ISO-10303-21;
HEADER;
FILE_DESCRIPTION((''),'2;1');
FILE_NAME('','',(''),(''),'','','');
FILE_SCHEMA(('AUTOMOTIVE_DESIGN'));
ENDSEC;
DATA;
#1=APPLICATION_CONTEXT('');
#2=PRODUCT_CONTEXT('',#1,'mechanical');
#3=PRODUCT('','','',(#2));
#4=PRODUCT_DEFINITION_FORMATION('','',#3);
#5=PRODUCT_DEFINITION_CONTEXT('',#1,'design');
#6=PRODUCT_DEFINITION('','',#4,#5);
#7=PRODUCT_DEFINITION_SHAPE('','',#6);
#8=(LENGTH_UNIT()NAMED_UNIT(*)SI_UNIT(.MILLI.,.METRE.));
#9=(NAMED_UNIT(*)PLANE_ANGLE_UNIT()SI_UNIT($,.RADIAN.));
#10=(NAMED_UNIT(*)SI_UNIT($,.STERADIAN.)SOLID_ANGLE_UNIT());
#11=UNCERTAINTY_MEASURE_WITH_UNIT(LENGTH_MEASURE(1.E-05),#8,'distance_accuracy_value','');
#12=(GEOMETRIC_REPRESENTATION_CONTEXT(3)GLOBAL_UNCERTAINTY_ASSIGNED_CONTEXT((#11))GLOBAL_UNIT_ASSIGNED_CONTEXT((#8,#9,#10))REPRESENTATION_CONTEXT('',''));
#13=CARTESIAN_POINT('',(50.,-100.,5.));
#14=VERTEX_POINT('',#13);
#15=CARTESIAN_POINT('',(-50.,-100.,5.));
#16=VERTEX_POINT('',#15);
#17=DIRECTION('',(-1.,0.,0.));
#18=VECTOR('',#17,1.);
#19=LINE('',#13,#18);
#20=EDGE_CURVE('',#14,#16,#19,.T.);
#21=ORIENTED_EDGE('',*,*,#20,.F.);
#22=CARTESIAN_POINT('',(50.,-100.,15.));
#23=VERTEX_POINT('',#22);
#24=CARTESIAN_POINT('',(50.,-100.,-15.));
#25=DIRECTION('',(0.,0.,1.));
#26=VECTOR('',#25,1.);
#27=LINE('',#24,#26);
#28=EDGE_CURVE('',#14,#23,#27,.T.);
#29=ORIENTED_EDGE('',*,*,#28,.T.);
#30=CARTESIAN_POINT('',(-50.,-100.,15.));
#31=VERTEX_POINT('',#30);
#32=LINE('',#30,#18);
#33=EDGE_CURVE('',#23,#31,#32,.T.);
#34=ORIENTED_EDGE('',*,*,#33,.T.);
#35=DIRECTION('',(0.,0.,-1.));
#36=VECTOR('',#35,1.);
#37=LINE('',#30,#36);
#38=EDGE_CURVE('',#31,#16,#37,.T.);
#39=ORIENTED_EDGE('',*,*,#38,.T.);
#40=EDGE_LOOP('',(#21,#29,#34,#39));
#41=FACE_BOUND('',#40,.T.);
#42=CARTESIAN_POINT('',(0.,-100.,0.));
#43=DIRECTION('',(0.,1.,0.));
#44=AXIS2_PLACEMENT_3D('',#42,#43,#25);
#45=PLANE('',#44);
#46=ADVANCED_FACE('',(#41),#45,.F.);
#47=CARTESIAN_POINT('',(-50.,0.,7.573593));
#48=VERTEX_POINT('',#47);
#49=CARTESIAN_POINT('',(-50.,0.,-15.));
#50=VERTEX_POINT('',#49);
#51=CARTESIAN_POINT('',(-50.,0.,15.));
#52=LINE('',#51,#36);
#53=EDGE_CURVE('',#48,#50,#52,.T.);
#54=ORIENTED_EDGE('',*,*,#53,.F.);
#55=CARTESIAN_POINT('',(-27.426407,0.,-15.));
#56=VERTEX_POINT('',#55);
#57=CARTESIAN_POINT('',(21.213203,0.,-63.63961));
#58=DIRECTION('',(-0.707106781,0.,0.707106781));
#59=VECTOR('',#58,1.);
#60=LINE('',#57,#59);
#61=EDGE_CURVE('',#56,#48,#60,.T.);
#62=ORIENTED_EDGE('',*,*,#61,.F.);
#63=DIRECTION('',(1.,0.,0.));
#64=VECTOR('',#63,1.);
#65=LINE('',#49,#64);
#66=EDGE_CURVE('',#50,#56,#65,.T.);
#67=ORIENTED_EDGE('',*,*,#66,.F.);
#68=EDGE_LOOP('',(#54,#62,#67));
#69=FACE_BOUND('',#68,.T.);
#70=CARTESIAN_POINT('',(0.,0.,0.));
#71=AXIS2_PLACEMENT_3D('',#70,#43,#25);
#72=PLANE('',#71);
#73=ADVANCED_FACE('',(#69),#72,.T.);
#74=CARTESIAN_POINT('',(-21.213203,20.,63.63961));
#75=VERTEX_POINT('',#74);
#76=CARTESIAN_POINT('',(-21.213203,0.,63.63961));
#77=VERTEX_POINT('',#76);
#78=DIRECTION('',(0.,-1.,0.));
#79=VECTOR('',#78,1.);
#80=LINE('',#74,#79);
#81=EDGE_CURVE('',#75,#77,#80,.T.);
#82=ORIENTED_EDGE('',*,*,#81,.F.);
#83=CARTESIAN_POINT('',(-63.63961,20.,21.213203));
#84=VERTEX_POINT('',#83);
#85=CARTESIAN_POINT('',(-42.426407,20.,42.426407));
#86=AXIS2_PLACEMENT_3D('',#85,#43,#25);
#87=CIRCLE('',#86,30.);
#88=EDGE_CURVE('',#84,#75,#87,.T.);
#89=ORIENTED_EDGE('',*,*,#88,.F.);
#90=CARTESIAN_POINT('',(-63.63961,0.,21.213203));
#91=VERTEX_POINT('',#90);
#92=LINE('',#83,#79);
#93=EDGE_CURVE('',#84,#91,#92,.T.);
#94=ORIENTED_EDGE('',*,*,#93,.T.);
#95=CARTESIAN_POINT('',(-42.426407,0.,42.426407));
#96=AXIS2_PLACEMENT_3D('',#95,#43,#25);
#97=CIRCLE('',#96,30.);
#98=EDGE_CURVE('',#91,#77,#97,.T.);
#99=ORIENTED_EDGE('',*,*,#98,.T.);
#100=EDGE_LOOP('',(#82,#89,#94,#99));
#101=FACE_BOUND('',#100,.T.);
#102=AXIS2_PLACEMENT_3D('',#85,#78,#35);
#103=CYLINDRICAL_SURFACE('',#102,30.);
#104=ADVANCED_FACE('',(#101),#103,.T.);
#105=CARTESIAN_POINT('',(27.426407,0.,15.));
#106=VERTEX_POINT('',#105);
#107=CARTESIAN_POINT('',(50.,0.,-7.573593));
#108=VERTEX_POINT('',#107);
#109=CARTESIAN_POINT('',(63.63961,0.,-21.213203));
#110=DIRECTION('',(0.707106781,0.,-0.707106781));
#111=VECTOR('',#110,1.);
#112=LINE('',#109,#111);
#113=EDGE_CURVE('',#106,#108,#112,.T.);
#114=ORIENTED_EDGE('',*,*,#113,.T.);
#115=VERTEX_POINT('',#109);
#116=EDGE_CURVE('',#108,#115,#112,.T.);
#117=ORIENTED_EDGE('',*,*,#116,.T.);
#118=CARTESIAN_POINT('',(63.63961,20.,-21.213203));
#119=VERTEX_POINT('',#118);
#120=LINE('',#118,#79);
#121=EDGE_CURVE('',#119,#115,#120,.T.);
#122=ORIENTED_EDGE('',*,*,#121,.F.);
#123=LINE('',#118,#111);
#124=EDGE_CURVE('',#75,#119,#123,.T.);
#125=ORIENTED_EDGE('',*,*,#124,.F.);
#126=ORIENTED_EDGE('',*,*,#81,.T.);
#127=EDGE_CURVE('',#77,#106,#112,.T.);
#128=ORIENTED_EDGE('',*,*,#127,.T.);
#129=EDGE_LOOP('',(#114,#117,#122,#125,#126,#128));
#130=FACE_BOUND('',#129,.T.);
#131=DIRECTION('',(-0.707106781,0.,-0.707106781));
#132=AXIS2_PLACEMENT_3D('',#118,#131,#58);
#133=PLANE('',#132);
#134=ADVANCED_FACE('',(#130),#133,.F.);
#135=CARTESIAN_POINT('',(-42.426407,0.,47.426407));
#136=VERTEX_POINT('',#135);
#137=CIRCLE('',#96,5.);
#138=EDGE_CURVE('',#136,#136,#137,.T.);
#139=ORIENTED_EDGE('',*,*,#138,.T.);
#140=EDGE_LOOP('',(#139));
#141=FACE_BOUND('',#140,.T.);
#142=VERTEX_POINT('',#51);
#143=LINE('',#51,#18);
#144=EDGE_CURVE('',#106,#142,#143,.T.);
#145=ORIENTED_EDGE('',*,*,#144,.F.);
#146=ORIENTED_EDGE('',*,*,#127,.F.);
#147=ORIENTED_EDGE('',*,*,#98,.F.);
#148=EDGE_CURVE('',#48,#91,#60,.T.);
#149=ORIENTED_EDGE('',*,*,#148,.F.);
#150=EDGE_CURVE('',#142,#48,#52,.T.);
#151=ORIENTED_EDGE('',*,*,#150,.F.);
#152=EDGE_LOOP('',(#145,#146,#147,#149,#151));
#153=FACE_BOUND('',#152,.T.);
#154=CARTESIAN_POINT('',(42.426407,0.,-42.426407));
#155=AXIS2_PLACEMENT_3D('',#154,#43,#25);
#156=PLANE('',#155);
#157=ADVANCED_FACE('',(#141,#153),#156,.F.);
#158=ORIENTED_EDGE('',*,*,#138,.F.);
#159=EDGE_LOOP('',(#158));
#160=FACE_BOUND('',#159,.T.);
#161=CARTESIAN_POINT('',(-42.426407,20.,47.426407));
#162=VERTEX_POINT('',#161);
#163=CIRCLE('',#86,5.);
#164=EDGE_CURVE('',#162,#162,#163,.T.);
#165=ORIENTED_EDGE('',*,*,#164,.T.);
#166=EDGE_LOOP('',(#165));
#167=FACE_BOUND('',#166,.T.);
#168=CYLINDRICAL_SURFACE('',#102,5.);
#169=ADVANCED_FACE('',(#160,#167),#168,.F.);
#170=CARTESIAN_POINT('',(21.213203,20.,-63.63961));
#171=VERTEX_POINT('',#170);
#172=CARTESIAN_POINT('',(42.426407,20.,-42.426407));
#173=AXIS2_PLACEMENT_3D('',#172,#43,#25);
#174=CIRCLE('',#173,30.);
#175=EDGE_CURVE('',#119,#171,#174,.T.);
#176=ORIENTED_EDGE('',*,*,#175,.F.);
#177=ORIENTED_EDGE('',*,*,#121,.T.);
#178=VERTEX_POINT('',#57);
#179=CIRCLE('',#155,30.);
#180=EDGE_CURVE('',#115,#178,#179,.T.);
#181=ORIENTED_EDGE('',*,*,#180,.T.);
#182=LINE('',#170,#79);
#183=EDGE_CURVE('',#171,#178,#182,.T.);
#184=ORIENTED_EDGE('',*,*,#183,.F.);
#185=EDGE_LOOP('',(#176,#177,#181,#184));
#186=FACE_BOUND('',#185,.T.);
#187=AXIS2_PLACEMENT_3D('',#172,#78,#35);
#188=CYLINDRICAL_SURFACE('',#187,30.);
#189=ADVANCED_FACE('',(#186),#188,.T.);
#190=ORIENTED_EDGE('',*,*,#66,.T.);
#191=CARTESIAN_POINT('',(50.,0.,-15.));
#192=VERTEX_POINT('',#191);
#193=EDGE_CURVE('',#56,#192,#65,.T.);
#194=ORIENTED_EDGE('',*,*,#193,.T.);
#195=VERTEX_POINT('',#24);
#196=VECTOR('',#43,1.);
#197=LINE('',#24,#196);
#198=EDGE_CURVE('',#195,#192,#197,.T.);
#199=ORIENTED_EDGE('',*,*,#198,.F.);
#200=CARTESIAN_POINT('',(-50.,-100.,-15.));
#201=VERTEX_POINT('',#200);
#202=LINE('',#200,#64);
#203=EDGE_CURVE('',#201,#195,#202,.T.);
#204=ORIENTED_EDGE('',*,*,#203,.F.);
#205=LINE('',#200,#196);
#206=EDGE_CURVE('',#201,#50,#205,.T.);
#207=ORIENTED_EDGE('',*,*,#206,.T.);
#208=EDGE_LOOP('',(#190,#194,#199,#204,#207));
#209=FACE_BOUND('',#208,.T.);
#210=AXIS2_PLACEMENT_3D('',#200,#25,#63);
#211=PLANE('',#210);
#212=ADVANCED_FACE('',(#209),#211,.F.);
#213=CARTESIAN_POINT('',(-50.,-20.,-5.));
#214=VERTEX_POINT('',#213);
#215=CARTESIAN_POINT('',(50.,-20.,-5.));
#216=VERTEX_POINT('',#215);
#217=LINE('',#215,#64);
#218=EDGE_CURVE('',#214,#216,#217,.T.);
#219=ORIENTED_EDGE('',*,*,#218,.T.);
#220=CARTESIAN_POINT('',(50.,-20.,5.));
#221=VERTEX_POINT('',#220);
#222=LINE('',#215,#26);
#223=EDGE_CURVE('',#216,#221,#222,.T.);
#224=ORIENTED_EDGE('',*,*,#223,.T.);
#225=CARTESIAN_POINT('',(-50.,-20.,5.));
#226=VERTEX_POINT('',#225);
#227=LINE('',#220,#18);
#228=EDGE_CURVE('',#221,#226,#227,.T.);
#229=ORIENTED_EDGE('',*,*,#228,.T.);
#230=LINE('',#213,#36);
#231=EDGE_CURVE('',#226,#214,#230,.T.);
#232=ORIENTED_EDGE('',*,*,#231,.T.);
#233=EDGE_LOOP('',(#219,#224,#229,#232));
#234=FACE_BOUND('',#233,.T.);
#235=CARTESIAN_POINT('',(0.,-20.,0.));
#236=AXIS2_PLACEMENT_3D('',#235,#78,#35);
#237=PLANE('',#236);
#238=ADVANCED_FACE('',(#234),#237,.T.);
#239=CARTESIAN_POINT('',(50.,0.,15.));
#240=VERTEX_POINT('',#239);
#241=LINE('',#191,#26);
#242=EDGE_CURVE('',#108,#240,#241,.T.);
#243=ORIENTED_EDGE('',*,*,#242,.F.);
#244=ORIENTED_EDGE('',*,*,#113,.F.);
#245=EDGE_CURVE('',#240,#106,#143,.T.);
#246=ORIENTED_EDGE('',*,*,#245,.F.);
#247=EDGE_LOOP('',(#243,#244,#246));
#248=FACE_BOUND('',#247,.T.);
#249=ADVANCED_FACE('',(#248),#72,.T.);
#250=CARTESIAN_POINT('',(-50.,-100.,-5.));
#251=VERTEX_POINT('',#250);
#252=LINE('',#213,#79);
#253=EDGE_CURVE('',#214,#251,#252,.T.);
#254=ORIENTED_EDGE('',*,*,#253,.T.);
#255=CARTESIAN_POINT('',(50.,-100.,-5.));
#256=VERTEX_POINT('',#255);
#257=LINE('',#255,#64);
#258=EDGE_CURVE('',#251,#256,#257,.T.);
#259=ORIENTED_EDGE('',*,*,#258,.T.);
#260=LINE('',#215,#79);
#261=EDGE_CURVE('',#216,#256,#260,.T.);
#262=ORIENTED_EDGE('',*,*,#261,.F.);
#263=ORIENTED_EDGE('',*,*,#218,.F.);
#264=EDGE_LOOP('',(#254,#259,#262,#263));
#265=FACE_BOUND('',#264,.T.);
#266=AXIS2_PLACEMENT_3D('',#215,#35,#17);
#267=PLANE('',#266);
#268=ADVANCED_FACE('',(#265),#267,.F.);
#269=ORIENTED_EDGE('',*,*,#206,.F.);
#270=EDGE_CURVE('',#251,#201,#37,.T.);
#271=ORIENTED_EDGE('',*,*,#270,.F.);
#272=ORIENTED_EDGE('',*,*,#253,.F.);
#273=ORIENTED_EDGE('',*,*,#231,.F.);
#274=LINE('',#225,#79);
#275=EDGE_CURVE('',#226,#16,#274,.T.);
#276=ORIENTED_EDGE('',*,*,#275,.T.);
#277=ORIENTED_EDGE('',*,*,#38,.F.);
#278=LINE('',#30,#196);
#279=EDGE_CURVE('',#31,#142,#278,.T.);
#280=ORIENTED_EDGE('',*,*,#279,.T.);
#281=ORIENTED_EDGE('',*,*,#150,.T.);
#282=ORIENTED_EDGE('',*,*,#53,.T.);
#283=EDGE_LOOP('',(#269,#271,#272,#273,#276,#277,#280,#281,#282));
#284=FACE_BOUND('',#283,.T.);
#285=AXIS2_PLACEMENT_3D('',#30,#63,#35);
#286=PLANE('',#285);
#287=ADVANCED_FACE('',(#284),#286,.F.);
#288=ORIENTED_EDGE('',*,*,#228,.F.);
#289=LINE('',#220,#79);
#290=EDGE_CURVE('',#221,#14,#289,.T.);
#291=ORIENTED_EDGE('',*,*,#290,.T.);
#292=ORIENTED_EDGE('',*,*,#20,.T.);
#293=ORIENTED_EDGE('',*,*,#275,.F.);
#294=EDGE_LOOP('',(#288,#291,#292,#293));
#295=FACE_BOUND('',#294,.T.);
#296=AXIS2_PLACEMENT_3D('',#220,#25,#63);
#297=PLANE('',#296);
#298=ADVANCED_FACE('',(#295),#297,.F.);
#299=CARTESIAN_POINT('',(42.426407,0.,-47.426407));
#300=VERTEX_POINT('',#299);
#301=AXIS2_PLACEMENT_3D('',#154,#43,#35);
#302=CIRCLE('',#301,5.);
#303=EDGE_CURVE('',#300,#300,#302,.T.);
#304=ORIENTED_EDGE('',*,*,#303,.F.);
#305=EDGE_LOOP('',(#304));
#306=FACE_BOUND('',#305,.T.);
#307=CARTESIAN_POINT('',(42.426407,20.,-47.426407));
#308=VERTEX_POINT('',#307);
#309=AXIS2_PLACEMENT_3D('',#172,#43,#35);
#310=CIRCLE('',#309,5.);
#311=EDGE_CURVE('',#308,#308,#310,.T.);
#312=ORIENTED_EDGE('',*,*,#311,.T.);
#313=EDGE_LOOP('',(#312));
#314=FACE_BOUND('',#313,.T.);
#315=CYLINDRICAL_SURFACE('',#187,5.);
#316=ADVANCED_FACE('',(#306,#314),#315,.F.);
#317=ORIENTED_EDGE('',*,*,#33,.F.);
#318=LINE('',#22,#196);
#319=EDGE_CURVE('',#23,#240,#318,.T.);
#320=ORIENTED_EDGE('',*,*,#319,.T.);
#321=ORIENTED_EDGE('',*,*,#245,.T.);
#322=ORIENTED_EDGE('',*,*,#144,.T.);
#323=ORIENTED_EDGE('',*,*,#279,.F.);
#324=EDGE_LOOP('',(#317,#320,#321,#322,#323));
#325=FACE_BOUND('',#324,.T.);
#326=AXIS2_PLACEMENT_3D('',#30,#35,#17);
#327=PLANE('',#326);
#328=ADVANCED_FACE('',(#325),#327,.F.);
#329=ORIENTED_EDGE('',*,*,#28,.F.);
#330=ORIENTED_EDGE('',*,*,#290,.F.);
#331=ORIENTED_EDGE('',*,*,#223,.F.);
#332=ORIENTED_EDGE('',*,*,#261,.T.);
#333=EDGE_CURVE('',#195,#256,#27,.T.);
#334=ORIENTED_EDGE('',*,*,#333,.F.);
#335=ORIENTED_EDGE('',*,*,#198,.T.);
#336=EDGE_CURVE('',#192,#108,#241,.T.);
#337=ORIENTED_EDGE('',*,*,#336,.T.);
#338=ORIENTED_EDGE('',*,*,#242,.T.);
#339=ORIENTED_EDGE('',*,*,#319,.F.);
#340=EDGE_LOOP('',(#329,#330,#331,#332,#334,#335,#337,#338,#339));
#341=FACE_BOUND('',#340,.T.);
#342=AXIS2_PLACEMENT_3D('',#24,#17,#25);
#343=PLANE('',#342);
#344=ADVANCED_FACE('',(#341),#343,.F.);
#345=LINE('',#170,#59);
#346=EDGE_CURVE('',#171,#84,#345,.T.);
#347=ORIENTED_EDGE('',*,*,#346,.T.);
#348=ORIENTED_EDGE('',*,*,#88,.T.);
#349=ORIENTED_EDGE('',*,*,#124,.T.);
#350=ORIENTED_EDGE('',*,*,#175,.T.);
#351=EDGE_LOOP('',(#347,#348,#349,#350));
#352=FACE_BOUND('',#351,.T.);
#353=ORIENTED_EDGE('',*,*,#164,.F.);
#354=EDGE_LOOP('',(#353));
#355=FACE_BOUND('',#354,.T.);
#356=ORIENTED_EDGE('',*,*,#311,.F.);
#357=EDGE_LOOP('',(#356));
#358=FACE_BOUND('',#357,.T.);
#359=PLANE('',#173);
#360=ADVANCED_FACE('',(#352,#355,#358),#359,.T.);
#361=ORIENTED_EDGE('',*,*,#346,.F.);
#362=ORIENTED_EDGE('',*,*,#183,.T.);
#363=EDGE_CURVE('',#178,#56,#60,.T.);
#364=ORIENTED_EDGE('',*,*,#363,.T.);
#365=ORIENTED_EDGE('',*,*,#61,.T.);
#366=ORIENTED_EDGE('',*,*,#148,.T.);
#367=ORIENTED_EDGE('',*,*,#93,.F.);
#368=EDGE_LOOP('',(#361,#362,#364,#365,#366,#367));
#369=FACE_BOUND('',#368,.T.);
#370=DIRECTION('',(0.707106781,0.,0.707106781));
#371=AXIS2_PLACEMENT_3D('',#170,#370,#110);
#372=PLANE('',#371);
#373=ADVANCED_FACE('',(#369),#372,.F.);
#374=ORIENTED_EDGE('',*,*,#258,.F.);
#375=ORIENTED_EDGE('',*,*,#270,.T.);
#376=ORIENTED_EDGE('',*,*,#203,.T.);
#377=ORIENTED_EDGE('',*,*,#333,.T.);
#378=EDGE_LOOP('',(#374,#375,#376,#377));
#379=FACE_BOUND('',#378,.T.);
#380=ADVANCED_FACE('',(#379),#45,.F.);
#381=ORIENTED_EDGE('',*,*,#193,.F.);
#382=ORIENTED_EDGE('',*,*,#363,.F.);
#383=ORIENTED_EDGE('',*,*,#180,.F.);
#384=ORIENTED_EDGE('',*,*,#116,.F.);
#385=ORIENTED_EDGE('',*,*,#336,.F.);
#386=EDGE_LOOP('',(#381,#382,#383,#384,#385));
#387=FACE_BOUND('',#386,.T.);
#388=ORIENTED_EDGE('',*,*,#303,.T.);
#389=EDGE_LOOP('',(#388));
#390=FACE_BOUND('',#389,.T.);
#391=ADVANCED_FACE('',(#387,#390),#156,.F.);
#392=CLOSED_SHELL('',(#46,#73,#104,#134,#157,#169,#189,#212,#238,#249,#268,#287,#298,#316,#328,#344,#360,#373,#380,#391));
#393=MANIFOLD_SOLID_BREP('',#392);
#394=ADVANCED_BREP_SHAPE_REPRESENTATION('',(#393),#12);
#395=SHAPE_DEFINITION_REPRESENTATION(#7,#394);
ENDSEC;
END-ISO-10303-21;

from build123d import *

# Parameters (mm, degrees)
CROQUIS1_R              = 5
SALIENTE_EXTRUIR1_DEPTH = 20
CROQUIS2_W              = 100
CROQUIS2_H              = 30
SALIENTE_EXTRUIR2_DEPTH = 100
CROQUIS3_W              = 100
CROQUIS3_H              = 10
CORTAR_EXTRUIR1_DEPTH   = 80


with BuildPart() as part:
    # Croquis1 → Saliente-Extruir1 (new body)
    with BuildSketch(Plane(origin=(0, 0, 0), x_dir=(1, 0, 0), z_dir=(0, 1, 0))):
        with BuildLine():
            Line((63.639610307, 21.213203436), (-21.213203436, -63.639610307))
            ThreePointArc((-21.213203436, -63.639610307), (-63.639610307, -63.639610307), (-63.639610307, -21.213203436))
            Line((-63.639610307, -21.213203436), (21.213203436, 63.639610307))
            ThreePointArc((21.213203436, 63.639610307), (63.639610307, 63.639610307), (63.639610307, 21.213203436))
        make_face()
        with Locations(Location((-42.426406871, -42.426406871, 0), (0, 0, 270))):
            Circle(CROQUIS1_R, mode=Mode.SUBTRACT)
        with Locations(Location((42.426406871, 42.426406871, 0), (0, 0, 90))):
            Circle(CROQUIS1_R, mode=Mode.SUBTRACT)
    extrude(amount=SALIENTE_EXTRUIR1_DEPTH)

    # Croquis2 → Saliente-Extruir2 (add)
    with BuildSketch(Plane.XZ):
        Rectangle(CROQUIS2_W, CROQUIS2_H)
    extrude(amount=SALIENTE_EXTRUIR2_DEPTH)

    # Croquis3 → Cortar-Extruir1 (cut)
    with BuildSketch(Plane.XZ.offset(100)):
        Rectangle(CROQUIS3_W, CROQUIS3_H)
    extrude(amount=-CORTAR_EXTRUIR1_DEPTH, mode=Mode.SUBTRACT)


solid = part.part
